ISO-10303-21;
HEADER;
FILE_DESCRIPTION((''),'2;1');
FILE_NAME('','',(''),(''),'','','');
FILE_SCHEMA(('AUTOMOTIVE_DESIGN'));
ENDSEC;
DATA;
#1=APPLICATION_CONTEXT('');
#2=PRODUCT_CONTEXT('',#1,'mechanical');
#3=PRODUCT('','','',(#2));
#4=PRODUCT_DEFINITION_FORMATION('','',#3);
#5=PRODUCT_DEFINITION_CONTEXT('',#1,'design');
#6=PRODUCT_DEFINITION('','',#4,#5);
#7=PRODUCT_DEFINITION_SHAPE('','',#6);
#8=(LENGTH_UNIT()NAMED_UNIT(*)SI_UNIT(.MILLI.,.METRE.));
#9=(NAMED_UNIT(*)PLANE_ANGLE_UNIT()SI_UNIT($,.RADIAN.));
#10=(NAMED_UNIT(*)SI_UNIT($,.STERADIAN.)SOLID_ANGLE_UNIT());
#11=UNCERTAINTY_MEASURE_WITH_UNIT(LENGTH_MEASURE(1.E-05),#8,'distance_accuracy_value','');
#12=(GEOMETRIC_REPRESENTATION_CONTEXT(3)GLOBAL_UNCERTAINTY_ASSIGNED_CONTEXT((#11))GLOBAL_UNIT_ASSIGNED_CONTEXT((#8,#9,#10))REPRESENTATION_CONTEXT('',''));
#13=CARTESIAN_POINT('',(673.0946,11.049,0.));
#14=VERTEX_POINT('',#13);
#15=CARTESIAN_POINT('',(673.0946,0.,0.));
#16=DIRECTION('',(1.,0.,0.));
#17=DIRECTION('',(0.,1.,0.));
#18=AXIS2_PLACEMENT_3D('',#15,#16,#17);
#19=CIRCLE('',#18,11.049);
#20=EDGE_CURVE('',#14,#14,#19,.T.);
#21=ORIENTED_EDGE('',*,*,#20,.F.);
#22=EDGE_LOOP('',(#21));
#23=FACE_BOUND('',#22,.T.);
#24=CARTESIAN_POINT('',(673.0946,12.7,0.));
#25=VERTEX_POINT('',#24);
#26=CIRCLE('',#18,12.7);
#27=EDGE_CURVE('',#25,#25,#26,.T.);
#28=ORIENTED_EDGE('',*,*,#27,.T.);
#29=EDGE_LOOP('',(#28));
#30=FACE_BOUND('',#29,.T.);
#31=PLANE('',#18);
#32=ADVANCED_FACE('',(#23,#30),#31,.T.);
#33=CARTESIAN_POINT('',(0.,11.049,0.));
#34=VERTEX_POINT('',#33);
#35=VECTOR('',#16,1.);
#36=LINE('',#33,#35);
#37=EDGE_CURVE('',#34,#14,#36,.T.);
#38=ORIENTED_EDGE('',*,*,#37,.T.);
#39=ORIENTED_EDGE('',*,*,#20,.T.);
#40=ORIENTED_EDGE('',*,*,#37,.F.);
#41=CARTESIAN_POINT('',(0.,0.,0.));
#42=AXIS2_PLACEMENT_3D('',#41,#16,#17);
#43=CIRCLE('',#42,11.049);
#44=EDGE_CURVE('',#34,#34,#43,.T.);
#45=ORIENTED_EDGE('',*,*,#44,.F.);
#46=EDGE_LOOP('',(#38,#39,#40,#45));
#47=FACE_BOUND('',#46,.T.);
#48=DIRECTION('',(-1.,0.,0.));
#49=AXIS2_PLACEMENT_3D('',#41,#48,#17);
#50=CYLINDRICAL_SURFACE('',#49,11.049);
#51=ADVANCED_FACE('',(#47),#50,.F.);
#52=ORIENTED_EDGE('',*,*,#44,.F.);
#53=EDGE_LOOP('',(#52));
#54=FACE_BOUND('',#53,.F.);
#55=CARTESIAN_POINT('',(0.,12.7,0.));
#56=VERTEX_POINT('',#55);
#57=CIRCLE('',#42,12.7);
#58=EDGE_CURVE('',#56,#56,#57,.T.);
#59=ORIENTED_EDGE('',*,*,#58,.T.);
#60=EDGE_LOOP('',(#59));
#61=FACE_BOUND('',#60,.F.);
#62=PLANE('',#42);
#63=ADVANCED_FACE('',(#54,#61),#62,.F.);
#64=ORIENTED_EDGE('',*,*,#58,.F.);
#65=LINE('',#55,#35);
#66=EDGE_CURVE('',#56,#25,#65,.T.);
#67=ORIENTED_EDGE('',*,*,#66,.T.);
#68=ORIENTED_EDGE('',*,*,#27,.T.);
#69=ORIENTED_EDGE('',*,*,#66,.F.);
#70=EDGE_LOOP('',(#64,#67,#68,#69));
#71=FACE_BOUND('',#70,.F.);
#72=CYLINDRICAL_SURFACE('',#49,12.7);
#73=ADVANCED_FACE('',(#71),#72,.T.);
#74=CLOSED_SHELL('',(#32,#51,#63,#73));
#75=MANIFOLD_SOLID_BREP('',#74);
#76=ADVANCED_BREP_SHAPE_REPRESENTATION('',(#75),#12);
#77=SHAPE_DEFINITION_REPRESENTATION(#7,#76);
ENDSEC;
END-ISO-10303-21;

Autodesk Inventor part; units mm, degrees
ref_plane "XZ Plane" through (0, 0, 0) normal (0, 1, 0) x (-1, 0, 0)
ref_plane "Start Plane" through (0, 0, 0) normal (1, 0, 0) x (0, 1, 0)
ref_plane "End Plane" through (673.0946, 0, 0) normal (1, 0, 0) x (0, 1, 0)
sketch "Sketch" plane through (0, 0, 0) normal (1, 0, 0) x (0, 1, 0)
  circle A0 centre (0, 0) radius 12.7
  circle A1 centre (0, 0) radius 11.049
  dimension "d0" = 25.4
  dimension "d1" = 1.651
extrude "Body" add sketch "Sketch" along normal up to surface (673.0946 mm away) from surface at 0
sketch "Sketch2" plane through (0, 0, 0) normal (1, 0, 0) x (0, 1, 0)
  line L0 (0, 0) -> (10, 0)
ref_plane "Work Plane3" through (0, 0, 0) normal (0, 0, -1) x (0, 1, 0)
sketch "Sketch3" plane through (0, 0, 0) normal (0, 0, -1) x (0, 1, 0)
  line L0 (-2, 0) -> (12, 0)
  line L1 (-2, 673.0946) -> (12, 673.0946)
  dimension "d9" = 673.0946
equation "\"G_OFFSET_START\" = 0"
equation "\"G_OFFSET_END\" = 0"
equation "\"d5\" = d2 + G_OFFSET_END"
equation "\"G_L\" = d9"
equation "\"d2\" = 673.09463"
properties part number "4130_1x0.065" material "Steel, Alloy"
